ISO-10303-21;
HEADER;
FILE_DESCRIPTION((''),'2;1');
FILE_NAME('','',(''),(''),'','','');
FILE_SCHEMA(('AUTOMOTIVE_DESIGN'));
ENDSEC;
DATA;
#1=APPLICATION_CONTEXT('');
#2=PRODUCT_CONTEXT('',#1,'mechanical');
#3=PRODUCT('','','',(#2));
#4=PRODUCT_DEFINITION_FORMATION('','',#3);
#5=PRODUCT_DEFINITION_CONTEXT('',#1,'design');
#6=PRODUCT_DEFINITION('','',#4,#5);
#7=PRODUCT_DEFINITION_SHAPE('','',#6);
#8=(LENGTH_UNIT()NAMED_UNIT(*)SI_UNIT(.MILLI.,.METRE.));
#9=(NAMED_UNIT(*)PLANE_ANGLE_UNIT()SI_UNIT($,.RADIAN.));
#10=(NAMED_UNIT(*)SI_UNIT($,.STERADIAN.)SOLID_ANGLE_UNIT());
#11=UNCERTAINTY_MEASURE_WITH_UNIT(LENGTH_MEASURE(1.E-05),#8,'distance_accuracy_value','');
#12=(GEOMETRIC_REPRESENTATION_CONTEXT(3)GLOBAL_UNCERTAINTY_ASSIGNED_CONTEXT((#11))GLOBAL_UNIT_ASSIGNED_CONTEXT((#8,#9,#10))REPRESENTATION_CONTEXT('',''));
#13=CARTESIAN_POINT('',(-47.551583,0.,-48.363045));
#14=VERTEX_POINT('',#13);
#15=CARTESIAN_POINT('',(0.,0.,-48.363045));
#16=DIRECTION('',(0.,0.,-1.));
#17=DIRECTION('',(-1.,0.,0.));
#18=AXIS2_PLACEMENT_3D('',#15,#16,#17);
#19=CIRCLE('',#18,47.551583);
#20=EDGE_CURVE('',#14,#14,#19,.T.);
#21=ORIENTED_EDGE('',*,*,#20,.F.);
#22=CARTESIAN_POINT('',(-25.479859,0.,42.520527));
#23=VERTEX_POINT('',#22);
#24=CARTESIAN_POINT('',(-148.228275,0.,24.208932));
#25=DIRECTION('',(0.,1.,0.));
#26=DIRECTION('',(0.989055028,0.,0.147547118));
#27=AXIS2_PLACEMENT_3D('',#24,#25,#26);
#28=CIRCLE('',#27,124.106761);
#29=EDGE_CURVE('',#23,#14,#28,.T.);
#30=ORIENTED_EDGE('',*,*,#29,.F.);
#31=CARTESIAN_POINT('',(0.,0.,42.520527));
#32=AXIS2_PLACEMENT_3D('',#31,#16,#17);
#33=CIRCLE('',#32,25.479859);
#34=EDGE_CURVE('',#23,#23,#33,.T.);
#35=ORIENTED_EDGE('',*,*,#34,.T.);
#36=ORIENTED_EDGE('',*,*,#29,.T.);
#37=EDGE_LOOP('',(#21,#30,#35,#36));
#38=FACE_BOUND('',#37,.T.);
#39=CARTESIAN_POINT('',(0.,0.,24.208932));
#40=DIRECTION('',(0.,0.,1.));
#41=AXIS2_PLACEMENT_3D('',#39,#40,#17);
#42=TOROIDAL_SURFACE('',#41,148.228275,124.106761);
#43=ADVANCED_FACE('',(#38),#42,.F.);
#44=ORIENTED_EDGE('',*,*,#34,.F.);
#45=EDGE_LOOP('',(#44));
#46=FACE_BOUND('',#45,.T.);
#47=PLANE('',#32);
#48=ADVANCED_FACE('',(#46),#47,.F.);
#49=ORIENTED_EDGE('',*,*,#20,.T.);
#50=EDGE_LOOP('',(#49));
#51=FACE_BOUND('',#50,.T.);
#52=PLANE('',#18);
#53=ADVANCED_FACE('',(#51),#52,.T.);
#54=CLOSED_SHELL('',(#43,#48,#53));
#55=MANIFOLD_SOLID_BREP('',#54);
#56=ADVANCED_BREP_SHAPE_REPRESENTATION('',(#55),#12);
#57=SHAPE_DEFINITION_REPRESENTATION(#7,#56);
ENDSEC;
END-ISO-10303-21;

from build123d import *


with BuildPart() as f1:
    # F0 (on Front) → F1 (revolve)
    with BuildSketch(Plane.XZ):
        with BuildLine():
            ThreePointArc((-25.479859, 42.520527), (-27.62707, -5.079931), (-47.551583, -48.363045))
            Line((-47.551583, -48.363045), (0, -48.363045))
            Line((0, -48.363045), (0, 42.520527))
            Line((0, 42.520527), (-25.479859, 42.520527))
        make_face()
    revolve(axis=Axis((0, 0, -2.921259), (0, 0, -1)))


solid = f1.part
